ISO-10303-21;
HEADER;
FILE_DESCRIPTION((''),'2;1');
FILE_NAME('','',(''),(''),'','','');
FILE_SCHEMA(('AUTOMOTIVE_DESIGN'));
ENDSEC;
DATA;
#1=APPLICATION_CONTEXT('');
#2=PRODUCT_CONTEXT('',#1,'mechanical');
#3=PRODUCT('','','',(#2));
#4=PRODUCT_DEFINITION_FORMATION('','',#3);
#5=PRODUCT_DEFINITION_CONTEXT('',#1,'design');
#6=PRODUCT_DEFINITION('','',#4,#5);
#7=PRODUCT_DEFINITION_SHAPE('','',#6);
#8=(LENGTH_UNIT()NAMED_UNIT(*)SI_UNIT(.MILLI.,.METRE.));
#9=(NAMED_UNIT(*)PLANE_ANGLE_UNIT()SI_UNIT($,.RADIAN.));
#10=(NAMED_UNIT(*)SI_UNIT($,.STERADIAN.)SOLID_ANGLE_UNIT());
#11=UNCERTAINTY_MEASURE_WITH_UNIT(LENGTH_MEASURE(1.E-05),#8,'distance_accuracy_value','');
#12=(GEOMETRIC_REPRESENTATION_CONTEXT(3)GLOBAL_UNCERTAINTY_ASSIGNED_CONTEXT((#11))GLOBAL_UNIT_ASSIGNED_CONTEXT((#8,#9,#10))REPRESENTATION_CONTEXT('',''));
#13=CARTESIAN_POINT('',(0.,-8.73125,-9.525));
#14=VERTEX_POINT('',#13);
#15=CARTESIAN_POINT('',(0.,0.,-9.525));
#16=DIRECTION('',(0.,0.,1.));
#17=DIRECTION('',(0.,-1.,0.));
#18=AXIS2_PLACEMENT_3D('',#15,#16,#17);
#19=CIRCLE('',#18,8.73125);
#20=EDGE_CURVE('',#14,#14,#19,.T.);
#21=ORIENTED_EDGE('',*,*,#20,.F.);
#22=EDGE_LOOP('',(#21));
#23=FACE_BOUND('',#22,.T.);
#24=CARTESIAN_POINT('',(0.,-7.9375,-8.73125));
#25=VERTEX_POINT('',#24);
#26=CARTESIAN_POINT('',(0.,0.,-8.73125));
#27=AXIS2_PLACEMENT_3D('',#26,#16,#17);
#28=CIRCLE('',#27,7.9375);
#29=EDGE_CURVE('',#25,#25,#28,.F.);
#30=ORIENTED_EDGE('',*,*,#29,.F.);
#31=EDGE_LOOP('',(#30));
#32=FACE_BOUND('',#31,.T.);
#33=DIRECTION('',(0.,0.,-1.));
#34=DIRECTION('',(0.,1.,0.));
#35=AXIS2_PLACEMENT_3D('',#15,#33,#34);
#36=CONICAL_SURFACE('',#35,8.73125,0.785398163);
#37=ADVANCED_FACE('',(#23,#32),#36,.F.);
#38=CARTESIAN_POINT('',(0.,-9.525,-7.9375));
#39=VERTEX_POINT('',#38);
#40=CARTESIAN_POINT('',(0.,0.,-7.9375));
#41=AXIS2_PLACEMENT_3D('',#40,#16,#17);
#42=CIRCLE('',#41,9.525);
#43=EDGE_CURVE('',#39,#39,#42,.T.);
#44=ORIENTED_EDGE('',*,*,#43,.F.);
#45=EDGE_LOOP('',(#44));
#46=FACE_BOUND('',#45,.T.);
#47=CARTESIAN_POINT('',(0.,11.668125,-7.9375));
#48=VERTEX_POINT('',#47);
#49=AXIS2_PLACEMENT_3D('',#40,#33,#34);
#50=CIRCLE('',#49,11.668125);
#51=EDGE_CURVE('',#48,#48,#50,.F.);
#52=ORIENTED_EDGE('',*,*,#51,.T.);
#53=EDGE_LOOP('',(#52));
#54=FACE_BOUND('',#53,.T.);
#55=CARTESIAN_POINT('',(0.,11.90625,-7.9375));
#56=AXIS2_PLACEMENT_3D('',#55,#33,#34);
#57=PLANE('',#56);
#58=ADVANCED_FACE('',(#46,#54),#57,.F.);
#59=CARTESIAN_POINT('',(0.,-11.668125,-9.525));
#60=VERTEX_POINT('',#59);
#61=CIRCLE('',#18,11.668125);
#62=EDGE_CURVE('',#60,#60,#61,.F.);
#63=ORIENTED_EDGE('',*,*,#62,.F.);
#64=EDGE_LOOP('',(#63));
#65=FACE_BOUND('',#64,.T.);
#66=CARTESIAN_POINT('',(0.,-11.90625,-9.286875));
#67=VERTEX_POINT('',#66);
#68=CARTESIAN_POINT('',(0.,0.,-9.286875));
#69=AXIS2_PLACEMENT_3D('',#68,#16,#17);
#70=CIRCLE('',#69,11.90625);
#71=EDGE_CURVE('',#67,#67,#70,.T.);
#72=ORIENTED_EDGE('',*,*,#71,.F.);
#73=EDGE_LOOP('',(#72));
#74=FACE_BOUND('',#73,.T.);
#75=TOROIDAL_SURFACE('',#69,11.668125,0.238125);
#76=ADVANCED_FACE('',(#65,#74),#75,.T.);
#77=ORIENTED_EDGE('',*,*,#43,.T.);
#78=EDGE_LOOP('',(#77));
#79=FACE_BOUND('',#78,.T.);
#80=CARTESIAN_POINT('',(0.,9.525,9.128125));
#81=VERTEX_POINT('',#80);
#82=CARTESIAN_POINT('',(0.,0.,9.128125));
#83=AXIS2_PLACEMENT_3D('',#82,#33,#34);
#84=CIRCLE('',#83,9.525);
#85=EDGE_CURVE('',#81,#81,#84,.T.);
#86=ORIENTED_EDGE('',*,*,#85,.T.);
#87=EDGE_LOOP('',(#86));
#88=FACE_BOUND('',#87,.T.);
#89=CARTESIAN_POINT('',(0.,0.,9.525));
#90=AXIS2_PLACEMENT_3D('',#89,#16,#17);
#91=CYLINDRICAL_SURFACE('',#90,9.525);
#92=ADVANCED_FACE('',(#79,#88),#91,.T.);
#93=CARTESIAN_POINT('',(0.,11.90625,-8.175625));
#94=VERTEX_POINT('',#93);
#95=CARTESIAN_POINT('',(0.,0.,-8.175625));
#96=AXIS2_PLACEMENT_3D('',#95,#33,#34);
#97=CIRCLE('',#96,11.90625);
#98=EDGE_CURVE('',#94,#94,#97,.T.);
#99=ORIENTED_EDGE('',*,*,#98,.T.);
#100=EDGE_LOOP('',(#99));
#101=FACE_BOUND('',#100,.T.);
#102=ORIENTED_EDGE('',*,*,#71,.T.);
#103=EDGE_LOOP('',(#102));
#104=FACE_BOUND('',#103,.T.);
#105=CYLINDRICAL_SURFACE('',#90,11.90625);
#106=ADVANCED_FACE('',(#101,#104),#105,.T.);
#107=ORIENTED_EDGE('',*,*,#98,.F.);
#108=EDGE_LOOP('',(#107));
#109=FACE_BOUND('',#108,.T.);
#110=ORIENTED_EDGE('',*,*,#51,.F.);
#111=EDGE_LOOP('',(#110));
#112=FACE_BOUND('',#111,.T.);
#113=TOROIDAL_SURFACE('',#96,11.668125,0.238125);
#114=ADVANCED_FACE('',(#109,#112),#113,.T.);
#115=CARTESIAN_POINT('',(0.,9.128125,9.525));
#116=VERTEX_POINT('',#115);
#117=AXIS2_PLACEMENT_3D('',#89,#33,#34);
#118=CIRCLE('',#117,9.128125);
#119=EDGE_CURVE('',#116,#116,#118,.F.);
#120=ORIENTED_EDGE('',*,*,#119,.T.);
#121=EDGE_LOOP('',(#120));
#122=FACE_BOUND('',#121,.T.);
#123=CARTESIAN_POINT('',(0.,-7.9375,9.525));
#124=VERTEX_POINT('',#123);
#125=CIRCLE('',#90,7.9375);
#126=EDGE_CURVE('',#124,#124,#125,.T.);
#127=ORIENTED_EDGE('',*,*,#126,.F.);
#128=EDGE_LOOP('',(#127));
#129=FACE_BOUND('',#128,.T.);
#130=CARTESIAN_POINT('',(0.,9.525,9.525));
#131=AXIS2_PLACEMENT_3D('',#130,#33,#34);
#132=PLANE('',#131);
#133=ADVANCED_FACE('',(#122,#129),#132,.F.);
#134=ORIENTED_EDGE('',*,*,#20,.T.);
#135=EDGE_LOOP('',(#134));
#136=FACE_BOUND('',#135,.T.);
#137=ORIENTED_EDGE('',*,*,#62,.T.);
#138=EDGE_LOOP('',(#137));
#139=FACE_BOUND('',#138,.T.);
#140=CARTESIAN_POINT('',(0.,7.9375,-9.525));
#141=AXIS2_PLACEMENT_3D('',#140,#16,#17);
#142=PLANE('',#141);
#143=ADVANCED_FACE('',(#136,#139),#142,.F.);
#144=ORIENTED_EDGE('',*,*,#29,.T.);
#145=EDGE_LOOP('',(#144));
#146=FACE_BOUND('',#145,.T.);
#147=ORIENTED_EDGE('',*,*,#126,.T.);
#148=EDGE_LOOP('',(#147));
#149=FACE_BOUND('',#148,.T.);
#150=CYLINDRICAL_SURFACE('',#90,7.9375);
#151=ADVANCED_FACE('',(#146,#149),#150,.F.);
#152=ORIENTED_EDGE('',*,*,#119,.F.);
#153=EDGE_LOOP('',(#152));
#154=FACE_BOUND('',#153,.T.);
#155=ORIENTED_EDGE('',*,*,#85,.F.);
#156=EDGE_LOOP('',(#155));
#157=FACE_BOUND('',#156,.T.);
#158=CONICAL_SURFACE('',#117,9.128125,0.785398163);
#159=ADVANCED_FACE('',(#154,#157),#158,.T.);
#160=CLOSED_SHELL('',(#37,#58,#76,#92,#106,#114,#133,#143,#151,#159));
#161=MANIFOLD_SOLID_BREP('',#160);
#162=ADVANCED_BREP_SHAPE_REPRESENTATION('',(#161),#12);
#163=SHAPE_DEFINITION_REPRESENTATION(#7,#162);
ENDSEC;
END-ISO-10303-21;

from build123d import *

# Parameters (mm, degrees)
CHAMFER1_SIZE = 0.396875
FILLET2_R     = 0.238125
CHAMFER2_SIZE = 0.79375


with BuildPart() as part:
    # Sketch3 → Revolve1 (revolve)
    with BuildSketch(Plane(origin=(0, 0, 0), x_dir=(0, 0, -1), z_dir=(1, 0, 0)), mode=Mode.PRIVATE) as revolve1_sk:
        Polygon((-9.525, 7.9375), (9.525, 7.9375), (9.525, 11.90625), (7.9375, 11.90625), (7.9375, 9.525), (-9.525, 9.525), align=None)
    revolve(revolve1_sk.sketch.rotate(Axis((0, 0, 9.525), (0, 0, -1)), 180), axis=Axis((0, 0, 9.525), (0, 0, -1)))

    # Chamfer1
    chamfer1_edges = [part.edges().sort_by_distance(p)[0] for p in [
        (0, 9.525, 9.525),
    ]]
    chamfer(chamfer1_edges, length=CHAMFER1_SIZE)

    # Fillet2
    fillet2_edges = [part.edges().sort_by_distance(p)[0] for p in [
        (0, 11.90625, -7.9375),
        (0, 11.90625, -9.525),
    ]]
    fillet(fillet2_edges, radius=FILLET2_R)

    # Chamfer2
    chamfer2_edges = [part.edges().sort_by_distance(p)[0] for p in [
        (0, 7.9375, -9.525),
    ]]
    chamfer(chamfer2_edges, length=CHAMFER2_SIZE)


solid = part.part
